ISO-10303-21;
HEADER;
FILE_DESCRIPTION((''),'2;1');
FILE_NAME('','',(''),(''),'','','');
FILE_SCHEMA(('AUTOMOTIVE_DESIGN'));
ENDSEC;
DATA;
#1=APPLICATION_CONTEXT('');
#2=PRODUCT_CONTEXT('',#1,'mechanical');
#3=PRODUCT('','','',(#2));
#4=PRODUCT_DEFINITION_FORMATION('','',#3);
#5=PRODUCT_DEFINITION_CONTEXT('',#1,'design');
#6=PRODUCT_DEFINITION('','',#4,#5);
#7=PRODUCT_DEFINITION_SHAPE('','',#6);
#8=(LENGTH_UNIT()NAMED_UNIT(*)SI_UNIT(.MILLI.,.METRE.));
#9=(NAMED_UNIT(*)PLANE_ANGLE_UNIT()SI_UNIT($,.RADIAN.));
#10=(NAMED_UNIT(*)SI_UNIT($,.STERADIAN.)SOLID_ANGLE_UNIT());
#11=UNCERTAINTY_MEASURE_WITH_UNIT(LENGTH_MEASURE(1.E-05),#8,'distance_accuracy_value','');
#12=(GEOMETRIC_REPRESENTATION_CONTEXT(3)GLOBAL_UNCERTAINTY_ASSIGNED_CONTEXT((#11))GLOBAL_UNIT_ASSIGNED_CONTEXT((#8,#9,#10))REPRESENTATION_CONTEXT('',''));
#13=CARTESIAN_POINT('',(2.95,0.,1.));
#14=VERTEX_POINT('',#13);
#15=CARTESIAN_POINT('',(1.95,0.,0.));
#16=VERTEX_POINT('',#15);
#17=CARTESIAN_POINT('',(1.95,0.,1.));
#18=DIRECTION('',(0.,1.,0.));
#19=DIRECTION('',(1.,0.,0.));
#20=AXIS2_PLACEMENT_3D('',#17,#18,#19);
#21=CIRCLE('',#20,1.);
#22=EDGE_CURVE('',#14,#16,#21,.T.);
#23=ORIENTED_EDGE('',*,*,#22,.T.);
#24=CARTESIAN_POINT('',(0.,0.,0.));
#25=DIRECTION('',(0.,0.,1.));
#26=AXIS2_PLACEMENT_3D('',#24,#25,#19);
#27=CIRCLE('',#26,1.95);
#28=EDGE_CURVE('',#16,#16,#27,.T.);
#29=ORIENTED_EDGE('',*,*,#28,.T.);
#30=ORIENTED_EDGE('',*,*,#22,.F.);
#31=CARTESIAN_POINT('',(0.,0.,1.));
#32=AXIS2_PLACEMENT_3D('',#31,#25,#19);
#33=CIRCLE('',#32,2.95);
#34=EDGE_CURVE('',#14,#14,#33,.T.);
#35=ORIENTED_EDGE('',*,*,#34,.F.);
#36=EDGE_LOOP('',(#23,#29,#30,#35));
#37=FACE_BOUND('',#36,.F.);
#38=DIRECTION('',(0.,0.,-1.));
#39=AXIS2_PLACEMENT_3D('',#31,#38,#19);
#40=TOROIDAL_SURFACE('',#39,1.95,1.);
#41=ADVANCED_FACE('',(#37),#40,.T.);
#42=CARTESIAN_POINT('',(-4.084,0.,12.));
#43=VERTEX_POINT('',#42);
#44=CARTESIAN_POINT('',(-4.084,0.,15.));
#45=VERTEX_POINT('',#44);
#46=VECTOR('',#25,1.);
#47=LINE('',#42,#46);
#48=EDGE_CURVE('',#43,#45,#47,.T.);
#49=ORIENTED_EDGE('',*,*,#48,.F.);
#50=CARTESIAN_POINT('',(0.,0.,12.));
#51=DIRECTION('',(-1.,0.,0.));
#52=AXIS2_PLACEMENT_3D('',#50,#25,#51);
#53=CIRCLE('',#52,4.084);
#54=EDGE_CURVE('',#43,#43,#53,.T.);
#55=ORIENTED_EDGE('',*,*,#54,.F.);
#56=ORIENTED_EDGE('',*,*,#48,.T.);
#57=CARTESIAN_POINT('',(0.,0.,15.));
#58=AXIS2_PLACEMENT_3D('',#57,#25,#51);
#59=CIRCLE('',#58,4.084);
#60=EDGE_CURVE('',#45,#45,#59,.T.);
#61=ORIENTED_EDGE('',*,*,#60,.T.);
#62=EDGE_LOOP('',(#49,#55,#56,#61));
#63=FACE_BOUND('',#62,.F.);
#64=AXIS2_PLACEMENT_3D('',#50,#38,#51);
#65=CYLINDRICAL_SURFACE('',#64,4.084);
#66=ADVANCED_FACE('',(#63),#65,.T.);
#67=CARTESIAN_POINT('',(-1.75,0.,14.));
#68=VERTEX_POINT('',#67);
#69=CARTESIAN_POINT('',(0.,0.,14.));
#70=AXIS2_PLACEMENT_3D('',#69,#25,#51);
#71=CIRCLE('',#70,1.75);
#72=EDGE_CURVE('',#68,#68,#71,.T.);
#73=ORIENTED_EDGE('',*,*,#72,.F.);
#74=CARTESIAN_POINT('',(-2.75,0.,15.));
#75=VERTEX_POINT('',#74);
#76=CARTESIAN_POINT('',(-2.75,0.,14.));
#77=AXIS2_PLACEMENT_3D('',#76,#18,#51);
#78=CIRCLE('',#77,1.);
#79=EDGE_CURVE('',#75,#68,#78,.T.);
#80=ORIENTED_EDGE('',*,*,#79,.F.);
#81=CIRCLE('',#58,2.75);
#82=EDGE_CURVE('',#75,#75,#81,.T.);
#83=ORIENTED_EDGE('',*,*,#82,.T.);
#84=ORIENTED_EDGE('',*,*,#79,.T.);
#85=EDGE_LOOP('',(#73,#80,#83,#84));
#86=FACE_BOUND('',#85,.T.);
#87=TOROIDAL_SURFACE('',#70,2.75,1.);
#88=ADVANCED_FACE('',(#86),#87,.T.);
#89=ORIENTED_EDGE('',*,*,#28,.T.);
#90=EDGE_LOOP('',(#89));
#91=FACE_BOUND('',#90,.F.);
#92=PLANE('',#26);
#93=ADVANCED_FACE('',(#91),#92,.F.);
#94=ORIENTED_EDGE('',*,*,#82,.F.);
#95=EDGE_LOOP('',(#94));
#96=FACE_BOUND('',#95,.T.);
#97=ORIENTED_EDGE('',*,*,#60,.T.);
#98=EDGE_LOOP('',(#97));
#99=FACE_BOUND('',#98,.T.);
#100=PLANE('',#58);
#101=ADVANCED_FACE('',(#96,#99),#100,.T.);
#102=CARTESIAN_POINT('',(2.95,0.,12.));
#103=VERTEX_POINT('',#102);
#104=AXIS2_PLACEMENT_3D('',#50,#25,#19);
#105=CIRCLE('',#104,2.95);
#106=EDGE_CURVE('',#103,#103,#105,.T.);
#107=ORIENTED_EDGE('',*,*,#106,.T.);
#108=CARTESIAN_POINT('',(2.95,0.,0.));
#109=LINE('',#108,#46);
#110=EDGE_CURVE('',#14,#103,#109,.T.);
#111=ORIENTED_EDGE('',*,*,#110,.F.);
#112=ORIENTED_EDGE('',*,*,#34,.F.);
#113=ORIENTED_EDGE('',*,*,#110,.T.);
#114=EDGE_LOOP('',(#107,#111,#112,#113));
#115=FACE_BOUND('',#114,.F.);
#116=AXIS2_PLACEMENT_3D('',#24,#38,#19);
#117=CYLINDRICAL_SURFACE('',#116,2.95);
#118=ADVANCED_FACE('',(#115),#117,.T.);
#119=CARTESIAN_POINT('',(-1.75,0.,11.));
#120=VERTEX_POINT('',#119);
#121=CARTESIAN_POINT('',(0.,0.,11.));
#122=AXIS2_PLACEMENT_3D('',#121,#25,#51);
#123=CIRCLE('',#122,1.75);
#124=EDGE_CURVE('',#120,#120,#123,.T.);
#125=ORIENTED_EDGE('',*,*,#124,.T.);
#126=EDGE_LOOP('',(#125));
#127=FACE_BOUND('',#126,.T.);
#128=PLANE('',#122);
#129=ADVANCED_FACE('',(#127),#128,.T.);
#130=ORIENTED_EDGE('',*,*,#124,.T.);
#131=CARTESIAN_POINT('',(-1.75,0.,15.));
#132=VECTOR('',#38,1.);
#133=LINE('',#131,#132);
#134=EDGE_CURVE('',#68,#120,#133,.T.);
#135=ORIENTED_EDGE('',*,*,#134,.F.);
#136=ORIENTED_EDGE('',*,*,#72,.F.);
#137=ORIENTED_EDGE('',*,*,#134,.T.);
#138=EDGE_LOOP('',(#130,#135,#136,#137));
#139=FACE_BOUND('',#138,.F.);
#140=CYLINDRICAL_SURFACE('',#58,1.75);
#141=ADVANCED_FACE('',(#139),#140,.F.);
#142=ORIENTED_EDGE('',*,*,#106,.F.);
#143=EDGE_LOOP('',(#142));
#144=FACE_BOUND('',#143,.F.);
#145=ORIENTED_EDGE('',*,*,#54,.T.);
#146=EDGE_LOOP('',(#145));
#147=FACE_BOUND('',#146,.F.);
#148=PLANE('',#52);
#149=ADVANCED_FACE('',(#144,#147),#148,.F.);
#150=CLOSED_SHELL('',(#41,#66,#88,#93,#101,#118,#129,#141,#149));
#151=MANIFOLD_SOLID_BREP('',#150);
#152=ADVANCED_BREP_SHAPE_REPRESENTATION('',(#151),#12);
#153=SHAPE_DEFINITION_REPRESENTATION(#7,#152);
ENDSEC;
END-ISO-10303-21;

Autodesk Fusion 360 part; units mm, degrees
sketch "Sketch1" plane through (0, 0, 0) normal (0, 0, 1) x (1, 0, 0)
  circle A0 centre (0, 0) radius 2.95
  dimension "d1" = 5.9
extrude "Extrude1" add sketch "Sketch1" along normal blind 12
sketch "Sketch2" plane through (0, 0, 12) normal (0, 0, 1) x (-1, 0, 0)
  circle A0 centre (0, 0) radius 2.95
  circle A1 centre (0, 0) radius 4.084
extrude "Extrude2" add sketch "Sketch2" along normal blind 3 contours A0 | A1
sketch "Sketch3" plane through (0, 0, 15) normal (0, 0, 1) x (-1, 0, 0)
  circle A0 centre (0, 0) radius 4.084
  circle A1 centre (0, 0) radius 1.75
  dimension "d6" = 3.5
extrude "Extrude3" cut sketch "Sketch3" against normal blind 4 contours A1
fillet "Fillet1" radius 1 1 edges at (-2.7504, -1.0668, 0)
fillet "Fillet2" radius 1 1 edges at (1.6316, -0.6328, 15)
